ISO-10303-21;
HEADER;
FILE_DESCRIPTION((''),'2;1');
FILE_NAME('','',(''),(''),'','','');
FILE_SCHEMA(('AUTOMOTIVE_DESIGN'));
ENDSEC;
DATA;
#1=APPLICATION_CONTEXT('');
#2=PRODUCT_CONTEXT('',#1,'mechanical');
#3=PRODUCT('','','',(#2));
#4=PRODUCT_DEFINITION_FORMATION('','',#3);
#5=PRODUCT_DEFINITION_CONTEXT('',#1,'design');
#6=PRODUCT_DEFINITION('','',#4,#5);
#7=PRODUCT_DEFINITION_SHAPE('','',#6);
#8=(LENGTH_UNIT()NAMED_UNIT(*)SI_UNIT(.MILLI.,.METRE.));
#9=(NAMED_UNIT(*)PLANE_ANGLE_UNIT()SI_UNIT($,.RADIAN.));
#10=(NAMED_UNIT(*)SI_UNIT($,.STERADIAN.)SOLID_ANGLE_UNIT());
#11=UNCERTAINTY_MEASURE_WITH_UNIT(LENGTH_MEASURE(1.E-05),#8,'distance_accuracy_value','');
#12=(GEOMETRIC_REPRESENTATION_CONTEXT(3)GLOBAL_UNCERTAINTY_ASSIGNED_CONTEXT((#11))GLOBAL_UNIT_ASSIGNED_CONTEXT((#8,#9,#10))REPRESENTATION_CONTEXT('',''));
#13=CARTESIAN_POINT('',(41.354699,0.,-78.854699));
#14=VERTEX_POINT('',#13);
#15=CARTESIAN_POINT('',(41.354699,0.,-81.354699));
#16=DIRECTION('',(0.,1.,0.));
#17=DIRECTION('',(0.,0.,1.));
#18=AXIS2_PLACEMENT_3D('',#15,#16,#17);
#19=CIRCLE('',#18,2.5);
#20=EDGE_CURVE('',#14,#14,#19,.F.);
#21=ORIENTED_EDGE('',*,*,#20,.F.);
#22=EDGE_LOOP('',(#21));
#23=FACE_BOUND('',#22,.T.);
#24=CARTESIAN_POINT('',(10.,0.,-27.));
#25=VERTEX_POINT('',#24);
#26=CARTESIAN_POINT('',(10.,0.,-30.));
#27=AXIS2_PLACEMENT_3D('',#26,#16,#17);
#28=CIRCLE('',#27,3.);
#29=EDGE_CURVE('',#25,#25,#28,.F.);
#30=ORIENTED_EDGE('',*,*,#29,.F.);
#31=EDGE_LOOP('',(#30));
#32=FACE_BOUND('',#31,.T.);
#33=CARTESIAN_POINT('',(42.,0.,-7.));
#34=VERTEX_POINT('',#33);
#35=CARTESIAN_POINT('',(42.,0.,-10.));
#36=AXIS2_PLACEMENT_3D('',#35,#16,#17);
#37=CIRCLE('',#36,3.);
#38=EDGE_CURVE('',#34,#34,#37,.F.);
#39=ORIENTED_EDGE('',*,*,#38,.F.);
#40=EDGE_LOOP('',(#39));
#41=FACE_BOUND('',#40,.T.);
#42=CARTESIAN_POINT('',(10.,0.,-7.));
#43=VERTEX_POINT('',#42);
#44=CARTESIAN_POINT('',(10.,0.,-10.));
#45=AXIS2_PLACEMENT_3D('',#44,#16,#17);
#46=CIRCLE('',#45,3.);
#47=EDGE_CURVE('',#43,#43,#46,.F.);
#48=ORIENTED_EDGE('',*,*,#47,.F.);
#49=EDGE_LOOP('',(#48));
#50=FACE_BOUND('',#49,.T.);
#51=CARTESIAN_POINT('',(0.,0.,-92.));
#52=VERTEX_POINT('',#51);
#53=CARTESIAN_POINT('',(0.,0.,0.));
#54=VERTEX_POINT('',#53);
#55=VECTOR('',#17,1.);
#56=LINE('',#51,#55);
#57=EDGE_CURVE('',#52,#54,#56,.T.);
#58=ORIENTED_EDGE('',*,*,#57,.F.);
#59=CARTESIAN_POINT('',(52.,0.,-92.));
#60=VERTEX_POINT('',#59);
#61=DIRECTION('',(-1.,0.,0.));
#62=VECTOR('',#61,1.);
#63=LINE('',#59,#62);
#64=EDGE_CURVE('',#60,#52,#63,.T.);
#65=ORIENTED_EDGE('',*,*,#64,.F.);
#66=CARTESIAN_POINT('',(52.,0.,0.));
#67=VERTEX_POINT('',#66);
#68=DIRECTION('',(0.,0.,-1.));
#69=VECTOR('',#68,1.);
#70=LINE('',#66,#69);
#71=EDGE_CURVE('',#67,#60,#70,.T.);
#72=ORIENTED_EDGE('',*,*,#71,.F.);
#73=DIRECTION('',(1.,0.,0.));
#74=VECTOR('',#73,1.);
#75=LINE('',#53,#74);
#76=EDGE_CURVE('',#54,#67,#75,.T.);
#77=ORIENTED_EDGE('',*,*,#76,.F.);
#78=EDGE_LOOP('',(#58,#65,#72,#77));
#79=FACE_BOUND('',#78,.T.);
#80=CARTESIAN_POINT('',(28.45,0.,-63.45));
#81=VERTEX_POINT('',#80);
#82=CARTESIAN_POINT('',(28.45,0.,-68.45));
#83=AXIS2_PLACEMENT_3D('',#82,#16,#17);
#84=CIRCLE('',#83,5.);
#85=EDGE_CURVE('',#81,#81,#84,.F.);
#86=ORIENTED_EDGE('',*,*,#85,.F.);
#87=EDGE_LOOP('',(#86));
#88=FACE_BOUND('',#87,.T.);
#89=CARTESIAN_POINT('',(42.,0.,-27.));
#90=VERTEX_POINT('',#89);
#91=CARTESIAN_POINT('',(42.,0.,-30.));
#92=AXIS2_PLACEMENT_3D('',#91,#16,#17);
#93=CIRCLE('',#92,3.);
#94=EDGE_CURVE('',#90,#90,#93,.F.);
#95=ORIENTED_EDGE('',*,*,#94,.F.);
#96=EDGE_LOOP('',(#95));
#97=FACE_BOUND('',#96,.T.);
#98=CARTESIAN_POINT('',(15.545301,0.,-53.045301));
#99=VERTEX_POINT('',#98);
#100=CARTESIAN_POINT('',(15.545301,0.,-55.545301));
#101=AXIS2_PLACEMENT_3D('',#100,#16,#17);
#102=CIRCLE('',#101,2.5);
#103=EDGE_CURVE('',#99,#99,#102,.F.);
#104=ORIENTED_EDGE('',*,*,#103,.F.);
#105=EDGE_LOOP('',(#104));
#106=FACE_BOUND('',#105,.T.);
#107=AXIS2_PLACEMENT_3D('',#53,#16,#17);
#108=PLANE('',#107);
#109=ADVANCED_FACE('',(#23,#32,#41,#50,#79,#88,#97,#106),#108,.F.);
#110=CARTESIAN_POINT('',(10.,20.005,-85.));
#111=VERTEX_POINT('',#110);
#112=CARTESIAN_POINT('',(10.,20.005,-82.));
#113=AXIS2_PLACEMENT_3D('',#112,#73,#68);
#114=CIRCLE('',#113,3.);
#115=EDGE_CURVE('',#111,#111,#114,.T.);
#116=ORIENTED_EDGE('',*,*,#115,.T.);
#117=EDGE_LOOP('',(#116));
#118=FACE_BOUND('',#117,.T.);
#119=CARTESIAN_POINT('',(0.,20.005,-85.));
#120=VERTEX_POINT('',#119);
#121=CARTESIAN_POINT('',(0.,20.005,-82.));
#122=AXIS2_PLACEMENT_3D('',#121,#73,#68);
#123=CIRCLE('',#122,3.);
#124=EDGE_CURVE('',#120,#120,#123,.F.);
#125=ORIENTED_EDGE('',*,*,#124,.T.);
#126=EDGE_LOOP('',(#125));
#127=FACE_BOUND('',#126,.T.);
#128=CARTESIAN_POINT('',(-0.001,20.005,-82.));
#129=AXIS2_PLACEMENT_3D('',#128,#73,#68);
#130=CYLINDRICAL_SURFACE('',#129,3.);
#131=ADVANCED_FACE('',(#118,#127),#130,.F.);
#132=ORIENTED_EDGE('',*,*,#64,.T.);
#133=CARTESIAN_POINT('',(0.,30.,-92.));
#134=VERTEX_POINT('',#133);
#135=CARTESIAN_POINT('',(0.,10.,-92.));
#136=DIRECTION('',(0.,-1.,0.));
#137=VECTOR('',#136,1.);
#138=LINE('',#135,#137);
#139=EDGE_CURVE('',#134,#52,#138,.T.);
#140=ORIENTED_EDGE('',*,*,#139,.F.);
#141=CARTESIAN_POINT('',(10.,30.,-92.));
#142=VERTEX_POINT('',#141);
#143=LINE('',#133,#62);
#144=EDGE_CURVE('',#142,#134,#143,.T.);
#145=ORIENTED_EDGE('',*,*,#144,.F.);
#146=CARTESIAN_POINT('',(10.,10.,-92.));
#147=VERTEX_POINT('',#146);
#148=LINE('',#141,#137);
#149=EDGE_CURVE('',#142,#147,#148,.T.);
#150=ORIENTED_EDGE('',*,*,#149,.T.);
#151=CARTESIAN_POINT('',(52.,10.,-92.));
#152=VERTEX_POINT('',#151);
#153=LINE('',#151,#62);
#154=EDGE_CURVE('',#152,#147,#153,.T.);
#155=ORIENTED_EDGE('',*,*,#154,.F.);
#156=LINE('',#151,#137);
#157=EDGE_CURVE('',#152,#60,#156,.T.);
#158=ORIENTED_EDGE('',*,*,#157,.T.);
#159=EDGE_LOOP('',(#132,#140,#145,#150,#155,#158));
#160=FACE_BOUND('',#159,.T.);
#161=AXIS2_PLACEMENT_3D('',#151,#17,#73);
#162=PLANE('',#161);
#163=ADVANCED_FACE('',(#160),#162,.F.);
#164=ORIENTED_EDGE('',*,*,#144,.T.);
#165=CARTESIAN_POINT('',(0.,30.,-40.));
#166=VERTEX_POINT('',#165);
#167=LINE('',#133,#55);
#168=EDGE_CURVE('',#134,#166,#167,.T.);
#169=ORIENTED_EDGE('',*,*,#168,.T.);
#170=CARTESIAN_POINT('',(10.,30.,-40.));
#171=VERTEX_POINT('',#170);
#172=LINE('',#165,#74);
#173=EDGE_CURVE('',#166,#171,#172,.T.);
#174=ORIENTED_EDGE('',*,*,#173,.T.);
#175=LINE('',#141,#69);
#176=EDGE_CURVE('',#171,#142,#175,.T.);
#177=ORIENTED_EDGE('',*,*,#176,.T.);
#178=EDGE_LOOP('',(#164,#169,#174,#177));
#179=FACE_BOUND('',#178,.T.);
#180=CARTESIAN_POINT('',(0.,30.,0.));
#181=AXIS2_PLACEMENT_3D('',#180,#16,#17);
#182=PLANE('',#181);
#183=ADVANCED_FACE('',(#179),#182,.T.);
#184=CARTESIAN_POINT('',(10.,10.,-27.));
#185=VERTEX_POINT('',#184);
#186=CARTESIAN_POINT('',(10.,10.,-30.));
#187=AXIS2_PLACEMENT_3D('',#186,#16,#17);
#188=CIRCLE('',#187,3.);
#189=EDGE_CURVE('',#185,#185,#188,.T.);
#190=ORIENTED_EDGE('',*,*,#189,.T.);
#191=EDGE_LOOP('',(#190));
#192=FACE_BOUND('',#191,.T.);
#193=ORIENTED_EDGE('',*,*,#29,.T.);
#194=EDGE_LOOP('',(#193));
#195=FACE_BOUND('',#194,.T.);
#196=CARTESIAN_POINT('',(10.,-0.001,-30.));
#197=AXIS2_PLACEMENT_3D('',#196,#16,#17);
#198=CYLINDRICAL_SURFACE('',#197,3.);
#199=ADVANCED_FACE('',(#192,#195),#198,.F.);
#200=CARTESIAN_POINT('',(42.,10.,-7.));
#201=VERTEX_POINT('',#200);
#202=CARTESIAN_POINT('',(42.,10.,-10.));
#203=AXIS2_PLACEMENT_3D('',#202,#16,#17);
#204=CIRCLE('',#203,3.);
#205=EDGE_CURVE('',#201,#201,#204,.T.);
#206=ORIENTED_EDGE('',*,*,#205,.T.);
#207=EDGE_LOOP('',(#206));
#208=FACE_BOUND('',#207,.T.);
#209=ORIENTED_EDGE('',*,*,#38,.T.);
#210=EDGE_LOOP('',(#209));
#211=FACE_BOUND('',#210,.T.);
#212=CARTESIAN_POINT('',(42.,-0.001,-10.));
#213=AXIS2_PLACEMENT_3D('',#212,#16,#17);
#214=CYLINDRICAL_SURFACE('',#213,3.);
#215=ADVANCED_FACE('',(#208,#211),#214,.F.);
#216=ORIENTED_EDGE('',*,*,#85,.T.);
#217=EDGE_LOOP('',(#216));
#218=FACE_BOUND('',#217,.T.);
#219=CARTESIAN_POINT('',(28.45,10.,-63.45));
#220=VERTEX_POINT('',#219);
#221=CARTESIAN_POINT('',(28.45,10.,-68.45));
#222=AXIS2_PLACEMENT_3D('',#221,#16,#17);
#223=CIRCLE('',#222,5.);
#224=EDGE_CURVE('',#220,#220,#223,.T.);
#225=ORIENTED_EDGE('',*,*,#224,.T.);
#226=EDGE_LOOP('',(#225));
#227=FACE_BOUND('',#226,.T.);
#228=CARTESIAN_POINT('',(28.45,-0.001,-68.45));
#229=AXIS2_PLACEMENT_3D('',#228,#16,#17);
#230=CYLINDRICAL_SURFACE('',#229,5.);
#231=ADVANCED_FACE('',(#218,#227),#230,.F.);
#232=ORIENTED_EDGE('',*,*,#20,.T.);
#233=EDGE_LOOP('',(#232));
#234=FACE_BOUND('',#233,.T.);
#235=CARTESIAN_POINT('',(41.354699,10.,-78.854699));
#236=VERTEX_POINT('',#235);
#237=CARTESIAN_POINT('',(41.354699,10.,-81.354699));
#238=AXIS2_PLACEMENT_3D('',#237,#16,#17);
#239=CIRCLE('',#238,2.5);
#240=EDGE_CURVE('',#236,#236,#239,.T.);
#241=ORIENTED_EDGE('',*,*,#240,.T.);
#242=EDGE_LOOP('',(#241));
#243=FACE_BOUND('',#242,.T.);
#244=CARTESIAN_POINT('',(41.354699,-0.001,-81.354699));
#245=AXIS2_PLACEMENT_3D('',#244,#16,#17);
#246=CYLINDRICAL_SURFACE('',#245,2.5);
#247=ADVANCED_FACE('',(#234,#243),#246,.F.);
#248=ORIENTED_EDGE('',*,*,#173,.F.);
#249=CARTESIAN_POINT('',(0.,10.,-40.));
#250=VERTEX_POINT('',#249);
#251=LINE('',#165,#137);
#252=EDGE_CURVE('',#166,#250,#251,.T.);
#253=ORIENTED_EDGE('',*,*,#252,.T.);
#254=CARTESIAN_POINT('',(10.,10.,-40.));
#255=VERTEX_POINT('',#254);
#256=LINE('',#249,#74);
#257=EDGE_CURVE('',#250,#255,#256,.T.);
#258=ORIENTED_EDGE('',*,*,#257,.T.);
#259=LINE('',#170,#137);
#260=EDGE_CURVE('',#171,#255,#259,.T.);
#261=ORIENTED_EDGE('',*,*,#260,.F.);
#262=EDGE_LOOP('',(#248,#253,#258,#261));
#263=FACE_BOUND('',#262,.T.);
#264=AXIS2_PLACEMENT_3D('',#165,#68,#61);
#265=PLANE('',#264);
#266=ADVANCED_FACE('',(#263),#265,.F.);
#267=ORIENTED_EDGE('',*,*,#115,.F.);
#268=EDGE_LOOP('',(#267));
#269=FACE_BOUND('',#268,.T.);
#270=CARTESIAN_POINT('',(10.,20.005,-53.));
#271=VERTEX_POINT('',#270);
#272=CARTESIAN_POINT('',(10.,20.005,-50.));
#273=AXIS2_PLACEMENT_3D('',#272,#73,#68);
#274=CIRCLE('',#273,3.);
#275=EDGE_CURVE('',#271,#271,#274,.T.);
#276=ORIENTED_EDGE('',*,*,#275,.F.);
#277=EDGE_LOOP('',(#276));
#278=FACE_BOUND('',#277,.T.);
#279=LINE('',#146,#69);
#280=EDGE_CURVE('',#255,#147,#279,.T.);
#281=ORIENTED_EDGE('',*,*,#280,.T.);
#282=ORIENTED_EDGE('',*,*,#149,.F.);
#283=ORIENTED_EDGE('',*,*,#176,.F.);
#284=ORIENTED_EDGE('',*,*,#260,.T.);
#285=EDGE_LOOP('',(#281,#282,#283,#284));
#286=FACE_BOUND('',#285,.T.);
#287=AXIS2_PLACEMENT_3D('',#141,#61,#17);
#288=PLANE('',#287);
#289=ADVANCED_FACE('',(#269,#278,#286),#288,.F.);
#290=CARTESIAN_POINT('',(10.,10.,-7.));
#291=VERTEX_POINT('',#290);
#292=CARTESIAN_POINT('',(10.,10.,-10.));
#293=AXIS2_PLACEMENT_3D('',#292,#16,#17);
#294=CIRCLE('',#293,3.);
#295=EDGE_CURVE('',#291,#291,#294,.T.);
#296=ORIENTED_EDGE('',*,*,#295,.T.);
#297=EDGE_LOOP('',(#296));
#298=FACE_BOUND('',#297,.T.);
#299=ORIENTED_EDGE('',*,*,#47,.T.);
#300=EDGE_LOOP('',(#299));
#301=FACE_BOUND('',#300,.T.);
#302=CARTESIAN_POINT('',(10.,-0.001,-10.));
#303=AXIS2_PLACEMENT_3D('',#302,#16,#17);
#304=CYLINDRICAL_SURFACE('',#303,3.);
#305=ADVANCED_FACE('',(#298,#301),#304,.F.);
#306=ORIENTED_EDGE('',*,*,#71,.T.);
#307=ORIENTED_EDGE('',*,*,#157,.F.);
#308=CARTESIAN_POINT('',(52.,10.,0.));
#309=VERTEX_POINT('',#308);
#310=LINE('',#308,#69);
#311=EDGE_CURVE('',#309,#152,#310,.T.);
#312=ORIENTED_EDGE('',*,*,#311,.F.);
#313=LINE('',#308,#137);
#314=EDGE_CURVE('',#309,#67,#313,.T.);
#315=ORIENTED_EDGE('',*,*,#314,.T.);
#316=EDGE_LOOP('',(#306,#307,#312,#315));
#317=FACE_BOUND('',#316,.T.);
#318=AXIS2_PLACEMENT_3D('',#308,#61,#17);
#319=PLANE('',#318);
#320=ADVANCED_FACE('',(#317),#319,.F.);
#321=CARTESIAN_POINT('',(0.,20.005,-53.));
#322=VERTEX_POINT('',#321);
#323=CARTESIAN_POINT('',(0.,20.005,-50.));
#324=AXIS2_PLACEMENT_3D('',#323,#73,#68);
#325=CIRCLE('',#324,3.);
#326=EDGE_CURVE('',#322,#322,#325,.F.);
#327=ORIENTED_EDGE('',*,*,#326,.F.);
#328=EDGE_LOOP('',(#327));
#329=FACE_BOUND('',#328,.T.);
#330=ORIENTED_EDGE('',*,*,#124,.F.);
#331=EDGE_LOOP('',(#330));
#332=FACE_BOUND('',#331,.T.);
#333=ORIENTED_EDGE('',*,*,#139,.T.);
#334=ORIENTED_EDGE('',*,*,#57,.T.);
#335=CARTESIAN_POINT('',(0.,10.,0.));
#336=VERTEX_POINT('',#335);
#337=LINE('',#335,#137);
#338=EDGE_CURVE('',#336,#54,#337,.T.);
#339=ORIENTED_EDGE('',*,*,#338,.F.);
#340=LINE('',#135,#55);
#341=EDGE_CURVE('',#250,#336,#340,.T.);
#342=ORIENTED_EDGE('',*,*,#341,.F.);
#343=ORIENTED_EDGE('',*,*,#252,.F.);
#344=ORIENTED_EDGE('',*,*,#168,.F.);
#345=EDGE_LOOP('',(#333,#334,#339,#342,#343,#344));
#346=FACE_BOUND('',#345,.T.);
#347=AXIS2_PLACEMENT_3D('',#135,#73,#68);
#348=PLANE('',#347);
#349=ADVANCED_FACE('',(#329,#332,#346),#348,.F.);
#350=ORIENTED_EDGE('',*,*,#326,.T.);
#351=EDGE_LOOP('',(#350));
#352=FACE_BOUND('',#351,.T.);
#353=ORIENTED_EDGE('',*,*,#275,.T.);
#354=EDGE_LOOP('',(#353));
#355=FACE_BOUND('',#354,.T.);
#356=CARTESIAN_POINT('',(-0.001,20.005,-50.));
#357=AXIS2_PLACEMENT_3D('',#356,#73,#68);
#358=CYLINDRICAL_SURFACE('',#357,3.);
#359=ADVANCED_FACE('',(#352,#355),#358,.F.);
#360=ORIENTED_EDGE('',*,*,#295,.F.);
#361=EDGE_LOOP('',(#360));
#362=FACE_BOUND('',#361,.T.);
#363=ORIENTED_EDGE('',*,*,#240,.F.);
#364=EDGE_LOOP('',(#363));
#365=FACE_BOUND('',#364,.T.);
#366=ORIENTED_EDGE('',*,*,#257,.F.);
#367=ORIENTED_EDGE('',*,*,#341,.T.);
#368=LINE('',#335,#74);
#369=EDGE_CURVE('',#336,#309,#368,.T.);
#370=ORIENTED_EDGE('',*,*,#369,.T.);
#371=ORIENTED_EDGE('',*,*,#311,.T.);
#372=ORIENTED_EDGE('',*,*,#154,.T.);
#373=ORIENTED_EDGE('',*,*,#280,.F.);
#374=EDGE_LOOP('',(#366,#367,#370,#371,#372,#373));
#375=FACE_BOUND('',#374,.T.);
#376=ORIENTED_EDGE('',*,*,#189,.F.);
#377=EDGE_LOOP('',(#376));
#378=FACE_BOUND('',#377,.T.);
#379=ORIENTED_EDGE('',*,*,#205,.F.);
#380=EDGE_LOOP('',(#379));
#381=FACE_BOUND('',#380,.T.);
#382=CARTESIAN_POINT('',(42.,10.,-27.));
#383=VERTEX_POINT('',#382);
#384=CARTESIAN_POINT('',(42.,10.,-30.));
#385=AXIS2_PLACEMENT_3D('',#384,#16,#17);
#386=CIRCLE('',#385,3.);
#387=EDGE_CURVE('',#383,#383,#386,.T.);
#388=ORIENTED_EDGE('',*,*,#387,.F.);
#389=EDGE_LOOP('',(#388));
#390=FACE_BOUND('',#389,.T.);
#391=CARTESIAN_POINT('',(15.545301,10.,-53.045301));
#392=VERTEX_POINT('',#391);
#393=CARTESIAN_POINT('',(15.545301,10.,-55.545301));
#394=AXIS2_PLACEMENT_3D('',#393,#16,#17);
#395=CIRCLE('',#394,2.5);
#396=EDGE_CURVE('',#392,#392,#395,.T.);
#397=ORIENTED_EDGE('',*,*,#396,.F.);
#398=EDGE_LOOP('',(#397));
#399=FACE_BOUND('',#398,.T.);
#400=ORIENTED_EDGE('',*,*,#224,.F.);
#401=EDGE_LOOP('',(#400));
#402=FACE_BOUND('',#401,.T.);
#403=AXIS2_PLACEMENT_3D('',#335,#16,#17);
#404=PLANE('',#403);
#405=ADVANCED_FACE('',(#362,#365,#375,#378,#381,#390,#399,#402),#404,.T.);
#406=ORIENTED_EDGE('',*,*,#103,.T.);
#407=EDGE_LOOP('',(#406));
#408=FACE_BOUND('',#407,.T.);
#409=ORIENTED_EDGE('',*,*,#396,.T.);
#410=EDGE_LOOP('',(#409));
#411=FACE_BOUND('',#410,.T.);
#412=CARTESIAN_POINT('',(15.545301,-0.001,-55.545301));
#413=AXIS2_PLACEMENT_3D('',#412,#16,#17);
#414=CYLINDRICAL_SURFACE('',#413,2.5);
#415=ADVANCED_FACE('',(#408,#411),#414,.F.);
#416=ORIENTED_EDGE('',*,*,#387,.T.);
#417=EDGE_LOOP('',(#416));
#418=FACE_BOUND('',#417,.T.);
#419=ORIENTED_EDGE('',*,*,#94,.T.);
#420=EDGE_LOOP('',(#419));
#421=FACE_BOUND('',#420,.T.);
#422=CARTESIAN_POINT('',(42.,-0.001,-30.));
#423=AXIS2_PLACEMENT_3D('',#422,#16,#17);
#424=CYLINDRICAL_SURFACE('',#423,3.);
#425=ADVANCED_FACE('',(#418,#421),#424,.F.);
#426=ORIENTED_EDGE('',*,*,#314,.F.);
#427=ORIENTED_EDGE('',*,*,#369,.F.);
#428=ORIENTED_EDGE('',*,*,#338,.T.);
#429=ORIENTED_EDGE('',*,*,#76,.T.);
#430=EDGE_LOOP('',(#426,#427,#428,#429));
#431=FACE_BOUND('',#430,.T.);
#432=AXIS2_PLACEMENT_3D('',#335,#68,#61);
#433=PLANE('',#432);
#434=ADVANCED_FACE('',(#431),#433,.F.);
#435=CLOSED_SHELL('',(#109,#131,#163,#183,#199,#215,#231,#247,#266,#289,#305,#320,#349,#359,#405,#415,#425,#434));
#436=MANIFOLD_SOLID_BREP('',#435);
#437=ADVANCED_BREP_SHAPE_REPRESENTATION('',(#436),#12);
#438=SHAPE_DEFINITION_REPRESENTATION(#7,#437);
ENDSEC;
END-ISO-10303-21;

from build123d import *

# Parameters (mm, degrees)
SKETCH1_W           = 52
SKETCH1_H           = 92
BOSS_EXTRUDE1_DEPTH = 10
SKETCH2_W           = 10
SKETCH2_H           = 52
BOSS_EXTRUDE2_DEPTH = 20
CUT_EXTRUDE1_REACH  = 109.555
SKETCH3_R           = 3
SKETCH3_R_2         = 5
SKETCH3_R_3         = 2.5
CUT_EXTRUDE2_REACH  = 107.489
SKETCH4_R           = 3


with BuildPart() as part:
    # Sketch1 → Boss-Extrude1 (new body)
    with BuildSketch(Plane(origin=(0, 0, 0), x_dir=(1, 0, 0), z_dir=(0, 1, 0))):
        with Locations((26, 46)):
            Rectangle(SKETCH1_W, SKETCH1_H)
    extrude(amount=BOSS_EXTRUDE1_DEPTH)

    # Sketch2 → Boss-Extrude2 (add)
    with BuildSketch(Plane(origin=(0, 10, 0), x_dir=(1, 0, 0), z_dir=(0, 1, 0))):
        with Locations((5, 66)):
            Rectangle(SKETCH2_W, SKETCH2_H)
    extrude(amount=BOSS_EXTRUDE2_DEPTH)

    # Sketch3 → Cut-Extrude1 (cut, up to next)
    with BuildSketch(Plane(origin=(0, 10, 0), x_dir=(1, 0, 0), z_dir=(0, 1, 0)), mode=Mode.PRIVATE) as cut_extrude1_sk1:
        with Locations(Location((42, 30, 0), (0, 0, 270))):
            Circle(SKETCH3_R)
    cut_extrude1_tool1 = extrude(cut_extrude1_sk1.sketch, amount=-CUT_EXTRUDE1_REACH, mode=Mode.PRIVATE) & part.part
    # Sketch3 → Cut-Extrude1 (cut, up to next)
    with BuildSketch(Plane(origin=(0, 10, 0), x_dir=(1, 0, 0), z_dir=(0, 1, 0)), mode=Mode.PRIVATE) as cut_extrude1_sk2:
        with Locations(Location((10, 30, 0), (0, 0, 270))):
            Circle(SKETCH3_R)
    cut_extrude1_tool2 = extrude(cut_extrude1_sk2.sketch, amount=-CUT_EXTRUDE1_REACH, mode=Mode.PRIVATE) & part.part
    # Sketch3 → Cut-Extrude1 (cut, up to next)
    with BuildSketch(Plane(origin=(0, 10, 0), x_dir=(1, 0, 0), z_dir=(0, 1, 0)), mode=Mode.PRIVATE) as cut_extrude1_sk3:
        with Locations(Location((42, 10, 0), (0, 0, 270))):
            Circle(SKETCH3_R)
    cut_extrude1_tool3 = extrude(cut_extrude1_sk3.sketch, amount=-CUT_EXTRUDE1_REACH, mode=Mode.PRIVATE) & part.part
    # Sketch3 → Cut-Extrude1 (cut, up to next)
    with BuildSketch(Plane(origin=(0, 10, 0), x_dir=(1, 0, 0), z_dir=(0, 1, 0)), mode=Mode.PRIVATE) as cut_extrude1_sk4:
        with Locations(Location((10, 10, 0), (0, 0, 270))):
            Circle(SKETCH3_R)
    cut_extrude1_tool4 = extrude(cut_extrude1_sk4.sketch, amount=-CUT_EXTRUDE1_REACH, mode=Mode.PRIVATE) & part.part
    # Sketch3 → Cut-Extrude1 (cut, up to next)
    with BuildSketch(Plane(origin=(0, 10, 0), x_dir=(1, 0, 0), z_dir=(0, 1, 0)), mode=Mode.PRIVATE) as cut_extrude1_sk5:
        with Locations(Location((28.45, 68.45, 0), (0, 0, 270))):
            Circle(SKETCH3_R_2)
    cut_extrude1_tool5 = extrude(cut_extrude1_sk5.sketch, amount=-CUT_EXTRUDE1_REACH, mode=Mode.PRIVATE) & part.part
    # Sketch3 → Cut-Extrude1 (cut, up to next)
    with BuildSketch(Plane(origin=(0, 10, 0), x_dir=(1, 0, 0), z_dir=(0, 1, 0)), mode=Mode.PRIVATE) as cut_extrude1_sk6:
        with Locations(Location((41.354698757, 81.354698757, 0), (0, 0, 270))):
            Circle(SKETCH3_R_3)
    cut_extrude1_tool6 = extrude(cut_extrude1_sk6.sketch, amount=-CUT_EXTRUDE1_REACH, mode=Mode.PRIVATE) & part.part
    # Sketch3 → Cut-Extrude1 (cut, up to next)
    with BuildSketch(Plane(origin=(0, 10, 0), x_dir=(1, 0, 0), z_dir=(0, 1, 0)), mode=Mode.PRIVATE) as cut_extrude1_sk7:
        with Locations(Location((15.545301243, 55.545301243, 0), (0, 0, 270))):
            Circle(SKETCH3_R_3)
    cut_extrude1_tool7 = extrude(cut_extrude1_sk7.sketch, amount=-CUT_EXTRUDE1_REACH, mode=Mode.PRIVATE) & part.part
    add(cut_extrude1_tool1.solids().sort_by_distance((42, 10, -30))[0], mode=Mode.SUBTRACT)
    add(cut_extrude1_tool2.solids().sort_by_distance((10, 10, -30))[0], mode=Mode.SUBTRACT)
    add(cut_extrude1_tool3.solids().sort_by_distance((42, 10, -10))[0], mode=Mode.SUBTRACT)
    add(cut_extrude1_tool4.solids().sort_by_distance((10, 10, -10))[0], mode=Mode.SUBTRACT)
    add(cut_extrude1_tool5.solids().sort_by_distance((28.45, 10, -68.45))[0], mode=Mode.SUBTRACT)
    add(cut_extrude1_tool6.solids().sort_by_distance((41.354699, 10, -81.354699))[0], mode=Mode.SUBTRACT)
    add(cut_extrude1_tool7.solids().sort_by_distance((15.545301, 10, -55.545301))[0], mode=Mode.SUBTRACT)

    # Sketch4 → Cut-Extrude2 (cut, up to next)
    with BuildSketch(Plane(origin=(10, 0, 0), x_dir=(0, 0, -1), z_dir=(1, 0, 0)), mode=Mode.PRIVATE) as cut_extrude2_sk1:
        with Locations((50, 20.005)):
            Circle(SKETCH4_R)
    cut_extrude2_tool1 = extrude(cut_extrude2_sk1.sketch, amount=-CUT_EXTRUDE2_REACH, mode=Mode.PRIVATE) & part.part
    # Sketch4 → Cut-Extrude2 (cut, up to next)
    with BuildSketch(Plane(origin=(10, 0, 0), x_dir=(0, 0, -1), z_dir=(1, 0, 0)), mode=Mode.PRIVATE) as cut_extrude2_sk2:
        with Locations((82, 20.005)):
            Circle(SKETCH4_R)
    cut_extrude2_tool2 = extrude(cut_extrude2_sk2.sketch, amount=-CUT_EXTRUDE2_REACH, mode=Mode.PRIVATE) & part.part
    add(cut_extrude2_tool1.solids().sort_by_distance((10, 20.005, -50))[0], mode=Mode.SUBTRACT)
    add(cut_extrude2_tool2.solids().sort_by_distance((10, 20.005, -82))[0], mode=Mode.SUBTRACT)


solid = part.part
